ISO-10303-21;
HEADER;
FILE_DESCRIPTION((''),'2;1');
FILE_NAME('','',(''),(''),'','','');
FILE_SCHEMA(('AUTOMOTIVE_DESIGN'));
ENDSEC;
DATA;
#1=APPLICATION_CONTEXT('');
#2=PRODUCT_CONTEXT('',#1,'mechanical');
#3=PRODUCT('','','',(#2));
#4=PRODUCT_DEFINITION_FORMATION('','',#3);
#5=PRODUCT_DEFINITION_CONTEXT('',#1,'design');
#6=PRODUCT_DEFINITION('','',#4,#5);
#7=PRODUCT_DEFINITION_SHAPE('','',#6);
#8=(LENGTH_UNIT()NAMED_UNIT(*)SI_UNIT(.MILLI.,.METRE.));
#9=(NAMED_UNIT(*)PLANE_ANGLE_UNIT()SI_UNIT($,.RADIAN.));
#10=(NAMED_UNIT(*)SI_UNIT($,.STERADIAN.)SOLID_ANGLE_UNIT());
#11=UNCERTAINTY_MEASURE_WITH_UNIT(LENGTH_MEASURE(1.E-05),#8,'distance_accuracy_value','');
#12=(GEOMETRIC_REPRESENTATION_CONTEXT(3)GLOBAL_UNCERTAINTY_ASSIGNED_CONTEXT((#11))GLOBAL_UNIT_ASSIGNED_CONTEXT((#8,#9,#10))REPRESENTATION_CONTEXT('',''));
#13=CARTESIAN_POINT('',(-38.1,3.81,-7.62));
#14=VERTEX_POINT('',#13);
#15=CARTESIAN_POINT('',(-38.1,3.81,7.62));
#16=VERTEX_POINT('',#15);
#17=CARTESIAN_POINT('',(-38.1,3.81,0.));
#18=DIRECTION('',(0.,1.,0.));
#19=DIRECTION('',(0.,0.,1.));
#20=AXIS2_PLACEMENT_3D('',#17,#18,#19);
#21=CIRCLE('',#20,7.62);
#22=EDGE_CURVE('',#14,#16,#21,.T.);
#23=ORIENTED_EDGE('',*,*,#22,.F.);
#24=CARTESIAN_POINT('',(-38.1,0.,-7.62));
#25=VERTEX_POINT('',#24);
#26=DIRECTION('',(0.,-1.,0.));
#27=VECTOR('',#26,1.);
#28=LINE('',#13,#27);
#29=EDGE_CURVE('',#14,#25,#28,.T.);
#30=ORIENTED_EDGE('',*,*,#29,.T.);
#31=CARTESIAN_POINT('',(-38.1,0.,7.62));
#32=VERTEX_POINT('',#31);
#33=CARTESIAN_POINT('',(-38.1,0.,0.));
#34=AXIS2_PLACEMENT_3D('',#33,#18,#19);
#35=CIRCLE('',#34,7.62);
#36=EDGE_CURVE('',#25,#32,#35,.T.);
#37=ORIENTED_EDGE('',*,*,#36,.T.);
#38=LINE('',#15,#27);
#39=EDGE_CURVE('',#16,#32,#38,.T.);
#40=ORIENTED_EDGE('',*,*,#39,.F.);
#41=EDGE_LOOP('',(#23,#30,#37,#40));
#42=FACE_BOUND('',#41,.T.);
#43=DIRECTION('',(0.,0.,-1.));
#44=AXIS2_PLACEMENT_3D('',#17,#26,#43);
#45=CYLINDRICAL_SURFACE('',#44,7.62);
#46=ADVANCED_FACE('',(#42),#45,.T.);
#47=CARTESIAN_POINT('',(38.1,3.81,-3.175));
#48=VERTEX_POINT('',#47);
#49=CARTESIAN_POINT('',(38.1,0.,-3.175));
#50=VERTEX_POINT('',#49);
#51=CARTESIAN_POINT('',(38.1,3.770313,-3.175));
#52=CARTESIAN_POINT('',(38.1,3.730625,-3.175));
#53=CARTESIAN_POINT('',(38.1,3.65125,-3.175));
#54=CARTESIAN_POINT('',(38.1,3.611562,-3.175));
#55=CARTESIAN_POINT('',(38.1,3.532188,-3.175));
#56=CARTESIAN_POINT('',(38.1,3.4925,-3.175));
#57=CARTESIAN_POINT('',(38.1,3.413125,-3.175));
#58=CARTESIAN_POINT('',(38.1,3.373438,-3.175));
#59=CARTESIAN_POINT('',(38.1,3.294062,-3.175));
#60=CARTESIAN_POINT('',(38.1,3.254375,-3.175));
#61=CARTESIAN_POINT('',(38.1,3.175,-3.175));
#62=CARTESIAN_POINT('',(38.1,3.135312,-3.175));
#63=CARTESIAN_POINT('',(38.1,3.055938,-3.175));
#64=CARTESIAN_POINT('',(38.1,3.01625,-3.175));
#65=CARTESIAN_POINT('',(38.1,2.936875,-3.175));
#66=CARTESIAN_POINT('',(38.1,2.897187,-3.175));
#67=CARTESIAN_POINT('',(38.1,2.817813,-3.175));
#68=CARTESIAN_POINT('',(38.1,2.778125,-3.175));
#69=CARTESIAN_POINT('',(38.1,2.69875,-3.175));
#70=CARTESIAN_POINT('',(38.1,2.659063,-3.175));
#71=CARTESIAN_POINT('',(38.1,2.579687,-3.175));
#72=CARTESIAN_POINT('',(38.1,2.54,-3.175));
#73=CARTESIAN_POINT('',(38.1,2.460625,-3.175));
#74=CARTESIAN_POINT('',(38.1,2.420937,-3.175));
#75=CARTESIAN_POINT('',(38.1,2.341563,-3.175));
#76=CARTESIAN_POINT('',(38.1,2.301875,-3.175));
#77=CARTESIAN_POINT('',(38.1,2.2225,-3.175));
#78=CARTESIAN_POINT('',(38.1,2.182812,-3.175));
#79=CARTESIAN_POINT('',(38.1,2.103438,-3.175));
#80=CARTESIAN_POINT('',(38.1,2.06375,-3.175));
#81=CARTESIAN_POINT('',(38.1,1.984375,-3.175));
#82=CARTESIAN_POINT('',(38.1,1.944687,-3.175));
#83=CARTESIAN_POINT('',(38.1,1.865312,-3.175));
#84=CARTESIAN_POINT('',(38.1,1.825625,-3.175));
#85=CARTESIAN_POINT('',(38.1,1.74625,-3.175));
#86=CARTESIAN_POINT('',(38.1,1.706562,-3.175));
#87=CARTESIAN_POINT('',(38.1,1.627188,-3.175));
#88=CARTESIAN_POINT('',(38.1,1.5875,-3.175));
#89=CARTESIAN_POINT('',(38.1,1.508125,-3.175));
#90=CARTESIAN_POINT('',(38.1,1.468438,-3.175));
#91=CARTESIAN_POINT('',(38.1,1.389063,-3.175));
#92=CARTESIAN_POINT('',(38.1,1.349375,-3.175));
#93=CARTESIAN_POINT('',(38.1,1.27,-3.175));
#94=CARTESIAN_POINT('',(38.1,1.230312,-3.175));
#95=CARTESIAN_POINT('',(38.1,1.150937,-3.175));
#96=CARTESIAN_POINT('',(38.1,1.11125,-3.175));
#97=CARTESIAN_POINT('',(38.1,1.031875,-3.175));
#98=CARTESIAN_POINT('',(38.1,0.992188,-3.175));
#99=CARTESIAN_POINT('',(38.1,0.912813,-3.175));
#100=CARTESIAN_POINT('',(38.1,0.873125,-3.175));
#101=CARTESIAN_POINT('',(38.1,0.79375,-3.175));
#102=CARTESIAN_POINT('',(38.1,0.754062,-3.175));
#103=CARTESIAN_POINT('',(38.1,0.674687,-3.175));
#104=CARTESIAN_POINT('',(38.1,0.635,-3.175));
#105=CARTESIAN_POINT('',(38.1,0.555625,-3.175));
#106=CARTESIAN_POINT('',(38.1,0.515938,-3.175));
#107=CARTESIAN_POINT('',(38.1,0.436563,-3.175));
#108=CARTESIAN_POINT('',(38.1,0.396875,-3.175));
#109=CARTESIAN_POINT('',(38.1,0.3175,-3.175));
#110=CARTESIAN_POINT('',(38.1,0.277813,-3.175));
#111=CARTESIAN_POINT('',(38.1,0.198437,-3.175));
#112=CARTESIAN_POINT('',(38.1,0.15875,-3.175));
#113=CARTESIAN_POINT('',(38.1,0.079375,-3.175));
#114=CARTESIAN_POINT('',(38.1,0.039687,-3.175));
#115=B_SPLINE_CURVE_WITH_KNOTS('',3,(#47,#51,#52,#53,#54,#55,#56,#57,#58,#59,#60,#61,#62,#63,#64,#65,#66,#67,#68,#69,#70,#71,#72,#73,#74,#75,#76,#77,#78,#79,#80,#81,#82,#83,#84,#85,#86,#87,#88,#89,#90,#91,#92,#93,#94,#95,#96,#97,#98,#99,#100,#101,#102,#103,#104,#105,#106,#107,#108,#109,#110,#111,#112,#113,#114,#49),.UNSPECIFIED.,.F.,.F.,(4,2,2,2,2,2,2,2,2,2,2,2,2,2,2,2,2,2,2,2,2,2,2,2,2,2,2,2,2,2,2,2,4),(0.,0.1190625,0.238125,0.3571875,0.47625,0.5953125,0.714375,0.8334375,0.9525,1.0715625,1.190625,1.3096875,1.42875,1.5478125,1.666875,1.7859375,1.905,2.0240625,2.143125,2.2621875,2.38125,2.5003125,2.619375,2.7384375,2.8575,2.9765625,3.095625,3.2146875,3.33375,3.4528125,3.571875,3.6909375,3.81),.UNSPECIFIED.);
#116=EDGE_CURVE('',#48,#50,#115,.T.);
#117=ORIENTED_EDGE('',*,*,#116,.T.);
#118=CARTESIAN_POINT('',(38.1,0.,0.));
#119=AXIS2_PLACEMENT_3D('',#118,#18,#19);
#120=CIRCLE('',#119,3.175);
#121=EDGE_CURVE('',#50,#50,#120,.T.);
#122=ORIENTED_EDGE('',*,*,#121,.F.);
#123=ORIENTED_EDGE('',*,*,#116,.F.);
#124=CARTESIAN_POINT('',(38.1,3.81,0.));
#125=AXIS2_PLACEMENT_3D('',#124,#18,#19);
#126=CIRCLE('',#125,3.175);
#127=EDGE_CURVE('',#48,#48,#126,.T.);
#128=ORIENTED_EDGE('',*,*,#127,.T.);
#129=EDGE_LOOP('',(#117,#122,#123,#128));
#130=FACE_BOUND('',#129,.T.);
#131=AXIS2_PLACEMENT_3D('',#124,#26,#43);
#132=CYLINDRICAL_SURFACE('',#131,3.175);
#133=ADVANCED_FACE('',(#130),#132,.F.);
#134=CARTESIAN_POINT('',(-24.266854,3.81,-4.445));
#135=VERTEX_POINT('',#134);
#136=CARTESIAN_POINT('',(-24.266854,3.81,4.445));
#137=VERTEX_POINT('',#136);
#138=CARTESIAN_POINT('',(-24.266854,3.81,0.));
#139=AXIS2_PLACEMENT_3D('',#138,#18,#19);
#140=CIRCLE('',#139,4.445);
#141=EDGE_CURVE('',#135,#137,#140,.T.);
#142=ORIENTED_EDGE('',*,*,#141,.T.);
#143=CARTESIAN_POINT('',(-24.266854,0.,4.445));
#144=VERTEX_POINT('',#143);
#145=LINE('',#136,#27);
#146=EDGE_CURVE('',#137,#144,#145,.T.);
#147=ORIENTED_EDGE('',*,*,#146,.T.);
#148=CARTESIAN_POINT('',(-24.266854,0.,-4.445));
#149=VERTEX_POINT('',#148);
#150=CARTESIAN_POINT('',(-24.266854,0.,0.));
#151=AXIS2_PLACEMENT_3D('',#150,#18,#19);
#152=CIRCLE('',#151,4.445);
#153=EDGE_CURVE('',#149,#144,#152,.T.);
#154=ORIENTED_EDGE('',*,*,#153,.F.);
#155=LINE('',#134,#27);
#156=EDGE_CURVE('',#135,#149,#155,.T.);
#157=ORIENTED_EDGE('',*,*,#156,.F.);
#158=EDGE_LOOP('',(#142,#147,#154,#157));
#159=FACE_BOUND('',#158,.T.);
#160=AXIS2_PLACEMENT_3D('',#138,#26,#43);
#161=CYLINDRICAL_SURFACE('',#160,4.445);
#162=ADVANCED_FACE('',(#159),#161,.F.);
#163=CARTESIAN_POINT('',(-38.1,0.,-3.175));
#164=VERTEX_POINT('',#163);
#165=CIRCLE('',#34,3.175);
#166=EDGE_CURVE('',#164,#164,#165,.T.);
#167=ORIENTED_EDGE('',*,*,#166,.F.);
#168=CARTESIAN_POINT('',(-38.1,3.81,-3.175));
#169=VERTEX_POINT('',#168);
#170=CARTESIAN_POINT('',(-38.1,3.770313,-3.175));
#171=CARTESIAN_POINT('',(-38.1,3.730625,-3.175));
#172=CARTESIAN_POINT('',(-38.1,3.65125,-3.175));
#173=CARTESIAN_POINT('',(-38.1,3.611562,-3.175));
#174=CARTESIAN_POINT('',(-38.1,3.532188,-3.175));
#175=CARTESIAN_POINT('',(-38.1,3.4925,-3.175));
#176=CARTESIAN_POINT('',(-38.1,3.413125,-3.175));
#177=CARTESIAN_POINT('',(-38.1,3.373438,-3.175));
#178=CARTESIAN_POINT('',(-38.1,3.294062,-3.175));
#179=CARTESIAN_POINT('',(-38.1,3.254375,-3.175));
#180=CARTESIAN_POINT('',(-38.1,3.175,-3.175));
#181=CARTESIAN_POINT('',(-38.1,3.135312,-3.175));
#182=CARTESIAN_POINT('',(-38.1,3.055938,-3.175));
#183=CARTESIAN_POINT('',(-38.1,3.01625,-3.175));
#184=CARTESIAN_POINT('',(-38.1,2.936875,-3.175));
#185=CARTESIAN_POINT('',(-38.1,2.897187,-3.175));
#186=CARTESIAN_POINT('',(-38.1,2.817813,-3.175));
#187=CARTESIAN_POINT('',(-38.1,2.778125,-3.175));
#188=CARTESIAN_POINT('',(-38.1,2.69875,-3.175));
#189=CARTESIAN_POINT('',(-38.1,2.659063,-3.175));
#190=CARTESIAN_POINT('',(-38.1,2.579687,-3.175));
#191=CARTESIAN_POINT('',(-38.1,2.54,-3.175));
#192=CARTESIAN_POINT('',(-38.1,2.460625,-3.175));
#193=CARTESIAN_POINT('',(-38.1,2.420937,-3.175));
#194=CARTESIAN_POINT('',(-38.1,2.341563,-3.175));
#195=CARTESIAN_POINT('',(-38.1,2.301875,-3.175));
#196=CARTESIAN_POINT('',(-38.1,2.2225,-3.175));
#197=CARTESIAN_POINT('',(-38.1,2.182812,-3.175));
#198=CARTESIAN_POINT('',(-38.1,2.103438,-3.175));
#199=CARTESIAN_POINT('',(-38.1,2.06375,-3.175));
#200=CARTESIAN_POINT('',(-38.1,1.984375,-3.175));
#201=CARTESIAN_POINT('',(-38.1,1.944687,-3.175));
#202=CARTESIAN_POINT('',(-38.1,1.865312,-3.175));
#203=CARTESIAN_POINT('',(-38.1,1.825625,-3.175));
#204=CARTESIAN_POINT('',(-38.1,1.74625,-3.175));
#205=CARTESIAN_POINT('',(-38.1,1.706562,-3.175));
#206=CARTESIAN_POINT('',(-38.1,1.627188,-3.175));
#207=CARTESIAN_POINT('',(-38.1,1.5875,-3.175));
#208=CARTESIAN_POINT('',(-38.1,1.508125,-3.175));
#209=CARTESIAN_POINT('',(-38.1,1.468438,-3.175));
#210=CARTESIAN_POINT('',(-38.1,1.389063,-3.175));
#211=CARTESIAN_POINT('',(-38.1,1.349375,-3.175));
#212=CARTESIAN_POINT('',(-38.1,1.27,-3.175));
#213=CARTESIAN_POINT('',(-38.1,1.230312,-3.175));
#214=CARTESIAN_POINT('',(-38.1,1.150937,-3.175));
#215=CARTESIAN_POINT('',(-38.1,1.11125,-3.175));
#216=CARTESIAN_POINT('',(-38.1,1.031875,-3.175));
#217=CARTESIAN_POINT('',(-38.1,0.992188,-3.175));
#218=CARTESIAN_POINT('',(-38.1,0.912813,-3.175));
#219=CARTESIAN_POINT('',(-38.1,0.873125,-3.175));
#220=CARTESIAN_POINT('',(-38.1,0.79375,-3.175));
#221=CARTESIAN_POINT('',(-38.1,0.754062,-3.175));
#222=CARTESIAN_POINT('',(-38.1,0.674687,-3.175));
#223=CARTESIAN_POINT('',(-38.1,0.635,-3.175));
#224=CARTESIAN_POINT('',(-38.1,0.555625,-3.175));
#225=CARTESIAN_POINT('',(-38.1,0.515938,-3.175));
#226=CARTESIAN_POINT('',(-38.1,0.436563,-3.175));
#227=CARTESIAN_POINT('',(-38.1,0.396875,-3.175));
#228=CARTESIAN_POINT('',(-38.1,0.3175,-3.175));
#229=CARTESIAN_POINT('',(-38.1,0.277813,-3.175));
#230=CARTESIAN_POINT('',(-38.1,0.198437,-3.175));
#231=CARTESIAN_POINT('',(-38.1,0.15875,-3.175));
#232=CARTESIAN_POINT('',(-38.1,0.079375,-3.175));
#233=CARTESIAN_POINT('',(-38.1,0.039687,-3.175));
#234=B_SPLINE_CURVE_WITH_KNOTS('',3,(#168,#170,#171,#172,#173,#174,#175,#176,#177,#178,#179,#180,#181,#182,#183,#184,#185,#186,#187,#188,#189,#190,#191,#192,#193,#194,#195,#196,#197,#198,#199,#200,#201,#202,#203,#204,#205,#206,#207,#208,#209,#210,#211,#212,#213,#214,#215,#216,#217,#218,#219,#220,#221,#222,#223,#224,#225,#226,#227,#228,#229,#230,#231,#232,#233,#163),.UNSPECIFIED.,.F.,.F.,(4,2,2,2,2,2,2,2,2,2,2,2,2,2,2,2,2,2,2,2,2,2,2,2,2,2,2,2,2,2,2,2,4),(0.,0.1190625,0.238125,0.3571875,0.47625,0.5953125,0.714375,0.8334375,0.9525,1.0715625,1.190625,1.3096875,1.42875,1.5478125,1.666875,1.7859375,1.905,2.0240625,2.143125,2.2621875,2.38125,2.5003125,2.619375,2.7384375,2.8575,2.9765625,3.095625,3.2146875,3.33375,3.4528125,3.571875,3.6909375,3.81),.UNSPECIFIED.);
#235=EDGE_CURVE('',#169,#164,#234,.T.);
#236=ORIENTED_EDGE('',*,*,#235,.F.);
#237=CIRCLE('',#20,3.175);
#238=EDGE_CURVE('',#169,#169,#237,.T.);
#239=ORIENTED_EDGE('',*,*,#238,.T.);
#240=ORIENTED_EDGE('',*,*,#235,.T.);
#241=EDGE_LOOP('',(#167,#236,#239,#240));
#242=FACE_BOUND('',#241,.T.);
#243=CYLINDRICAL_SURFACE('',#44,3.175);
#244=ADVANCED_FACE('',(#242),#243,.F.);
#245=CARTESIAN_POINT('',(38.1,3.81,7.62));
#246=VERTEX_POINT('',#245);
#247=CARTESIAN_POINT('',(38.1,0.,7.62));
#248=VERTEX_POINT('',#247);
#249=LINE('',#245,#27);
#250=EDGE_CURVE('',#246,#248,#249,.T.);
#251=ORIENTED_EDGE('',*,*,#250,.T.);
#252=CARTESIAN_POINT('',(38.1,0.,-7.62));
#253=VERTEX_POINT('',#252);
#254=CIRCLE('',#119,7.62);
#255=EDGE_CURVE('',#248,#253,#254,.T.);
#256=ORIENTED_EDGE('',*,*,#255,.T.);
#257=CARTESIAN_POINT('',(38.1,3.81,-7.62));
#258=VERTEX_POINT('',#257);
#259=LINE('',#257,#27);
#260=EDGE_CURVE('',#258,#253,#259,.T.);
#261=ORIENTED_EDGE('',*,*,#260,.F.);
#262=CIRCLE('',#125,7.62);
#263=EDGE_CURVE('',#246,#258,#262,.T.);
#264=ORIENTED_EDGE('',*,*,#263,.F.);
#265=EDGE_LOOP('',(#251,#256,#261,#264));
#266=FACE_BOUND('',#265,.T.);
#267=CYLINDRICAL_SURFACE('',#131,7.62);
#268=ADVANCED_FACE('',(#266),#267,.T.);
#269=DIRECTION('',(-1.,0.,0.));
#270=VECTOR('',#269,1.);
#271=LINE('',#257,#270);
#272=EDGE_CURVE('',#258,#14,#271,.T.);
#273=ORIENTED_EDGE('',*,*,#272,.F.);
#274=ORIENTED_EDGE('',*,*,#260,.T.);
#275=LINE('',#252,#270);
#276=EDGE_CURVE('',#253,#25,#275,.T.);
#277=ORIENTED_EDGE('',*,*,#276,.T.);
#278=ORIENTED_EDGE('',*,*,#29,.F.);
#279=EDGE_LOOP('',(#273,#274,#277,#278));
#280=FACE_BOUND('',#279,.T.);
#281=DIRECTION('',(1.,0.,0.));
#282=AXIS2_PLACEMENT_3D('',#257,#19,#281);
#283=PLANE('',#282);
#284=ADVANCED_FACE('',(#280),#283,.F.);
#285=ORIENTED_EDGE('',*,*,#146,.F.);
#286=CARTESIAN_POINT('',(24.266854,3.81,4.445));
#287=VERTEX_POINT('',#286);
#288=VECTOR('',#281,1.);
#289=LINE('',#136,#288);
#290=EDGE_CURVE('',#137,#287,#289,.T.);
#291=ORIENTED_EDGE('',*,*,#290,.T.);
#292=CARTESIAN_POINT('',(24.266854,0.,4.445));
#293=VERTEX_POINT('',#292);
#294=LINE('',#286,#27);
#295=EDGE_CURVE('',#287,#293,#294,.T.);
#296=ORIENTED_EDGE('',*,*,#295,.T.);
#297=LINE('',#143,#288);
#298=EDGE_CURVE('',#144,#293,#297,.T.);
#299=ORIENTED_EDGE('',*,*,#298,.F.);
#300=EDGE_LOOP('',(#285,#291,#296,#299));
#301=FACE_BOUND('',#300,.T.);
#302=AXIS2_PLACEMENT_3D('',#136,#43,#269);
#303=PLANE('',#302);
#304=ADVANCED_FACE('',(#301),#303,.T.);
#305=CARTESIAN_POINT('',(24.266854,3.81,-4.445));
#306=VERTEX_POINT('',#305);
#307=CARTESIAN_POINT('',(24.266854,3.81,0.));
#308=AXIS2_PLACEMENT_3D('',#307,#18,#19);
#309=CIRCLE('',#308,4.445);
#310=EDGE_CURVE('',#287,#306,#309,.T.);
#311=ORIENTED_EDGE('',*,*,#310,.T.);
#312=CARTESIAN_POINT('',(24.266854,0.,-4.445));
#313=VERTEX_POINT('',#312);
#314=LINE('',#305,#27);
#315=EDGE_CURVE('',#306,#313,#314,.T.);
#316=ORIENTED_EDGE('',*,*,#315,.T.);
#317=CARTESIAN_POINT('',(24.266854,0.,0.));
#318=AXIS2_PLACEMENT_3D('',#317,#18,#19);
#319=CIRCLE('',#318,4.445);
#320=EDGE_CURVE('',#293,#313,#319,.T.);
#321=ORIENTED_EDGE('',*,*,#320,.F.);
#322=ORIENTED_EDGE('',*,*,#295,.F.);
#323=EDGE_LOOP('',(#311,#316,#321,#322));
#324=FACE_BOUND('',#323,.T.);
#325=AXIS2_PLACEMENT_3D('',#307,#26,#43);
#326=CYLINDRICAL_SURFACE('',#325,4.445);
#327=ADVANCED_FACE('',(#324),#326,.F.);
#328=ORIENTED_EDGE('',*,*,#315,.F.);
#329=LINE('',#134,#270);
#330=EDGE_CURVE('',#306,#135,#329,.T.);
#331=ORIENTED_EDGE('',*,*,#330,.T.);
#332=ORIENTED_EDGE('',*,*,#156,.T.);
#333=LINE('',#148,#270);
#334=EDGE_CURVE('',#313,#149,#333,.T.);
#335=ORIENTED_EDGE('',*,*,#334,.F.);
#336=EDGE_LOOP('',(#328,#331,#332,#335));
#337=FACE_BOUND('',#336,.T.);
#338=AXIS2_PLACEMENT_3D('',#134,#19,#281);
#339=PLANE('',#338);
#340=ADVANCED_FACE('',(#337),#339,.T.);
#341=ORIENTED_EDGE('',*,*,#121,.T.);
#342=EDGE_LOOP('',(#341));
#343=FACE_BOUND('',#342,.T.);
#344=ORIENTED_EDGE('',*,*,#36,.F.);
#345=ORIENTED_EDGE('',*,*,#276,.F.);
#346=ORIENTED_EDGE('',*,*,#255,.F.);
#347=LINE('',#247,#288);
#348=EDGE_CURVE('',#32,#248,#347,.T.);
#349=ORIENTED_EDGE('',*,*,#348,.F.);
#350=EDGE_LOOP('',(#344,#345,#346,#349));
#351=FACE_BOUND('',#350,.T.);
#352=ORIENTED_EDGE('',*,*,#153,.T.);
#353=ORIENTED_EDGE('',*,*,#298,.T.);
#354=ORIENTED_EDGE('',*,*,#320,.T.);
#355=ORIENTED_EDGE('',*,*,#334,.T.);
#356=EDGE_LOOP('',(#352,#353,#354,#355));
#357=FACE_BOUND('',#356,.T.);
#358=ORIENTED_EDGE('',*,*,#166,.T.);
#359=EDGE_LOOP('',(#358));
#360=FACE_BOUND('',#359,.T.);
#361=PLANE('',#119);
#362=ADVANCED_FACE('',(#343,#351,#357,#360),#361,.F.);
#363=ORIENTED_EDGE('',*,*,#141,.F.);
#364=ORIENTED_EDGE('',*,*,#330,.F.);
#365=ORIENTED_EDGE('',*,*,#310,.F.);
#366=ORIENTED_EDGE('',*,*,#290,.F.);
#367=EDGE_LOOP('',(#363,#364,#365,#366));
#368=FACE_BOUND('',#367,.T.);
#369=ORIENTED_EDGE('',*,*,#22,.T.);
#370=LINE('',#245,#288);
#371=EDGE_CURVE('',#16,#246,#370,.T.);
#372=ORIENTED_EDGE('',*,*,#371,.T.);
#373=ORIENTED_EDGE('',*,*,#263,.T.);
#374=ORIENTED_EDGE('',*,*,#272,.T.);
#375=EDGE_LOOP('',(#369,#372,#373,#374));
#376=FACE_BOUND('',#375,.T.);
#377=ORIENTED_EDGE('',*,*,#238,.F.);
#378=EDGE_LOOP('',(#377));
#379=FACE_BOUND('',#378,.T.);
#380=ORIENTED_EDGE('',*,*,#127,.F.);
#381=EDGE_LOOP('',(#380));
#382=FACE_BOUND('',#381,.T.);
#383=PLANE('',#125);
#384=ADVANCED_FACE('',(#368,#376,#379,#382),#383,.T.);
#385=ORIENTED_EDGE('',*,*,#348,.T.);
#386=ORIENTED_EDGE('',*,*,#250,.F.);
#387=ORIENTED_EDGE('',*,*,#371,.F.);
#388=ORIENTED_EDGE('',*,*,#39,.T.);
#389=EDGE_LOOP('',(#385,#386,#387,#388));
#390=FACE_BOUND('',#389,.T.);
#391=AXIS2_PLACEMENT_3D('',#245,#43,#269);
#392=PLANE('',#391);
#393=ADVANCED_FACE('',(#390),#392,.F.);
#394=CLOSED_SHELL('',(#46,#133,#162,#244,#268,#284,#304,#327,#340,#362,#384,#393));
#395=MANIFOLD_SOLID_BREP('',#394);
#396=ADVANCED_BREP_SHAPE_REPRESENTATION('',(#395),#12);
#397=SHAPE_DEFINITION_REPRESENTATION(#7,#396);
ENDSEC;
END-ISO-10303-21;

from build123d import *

# Parameters (mm, degrees)
SKETCH1_R           = 3.175
BOSS_EXTRUDE5_DEPTH = 3.81


with BuildPart() as part:
    # Sketch1 → Boss-Extrude5 (new body)
    with BuildSketch(Plane(origin=(0, 0, 0), x_dir=(1, 0, 0), z_dir=(0, 1, 0))):
        with BuildLine():
            Line((38.1, -7.62), (-38.1, -7.62))
            ThreePointArc((-38.1, -7.62), (-45.72, 0), (-38.1, 7.62))
            Line((-38.1, 7.62), (38.1, 7.62))
            ThreePointArc((38.1, 7.62), (45.72, 0), (38.1, -7.62))
        make_face()
        with Locations(Location((-38.1, 0, 0), (0, 0, 90))):
            Circle(SKETCH1_R, mode=Mode.SUBTRACT)
        with Locations(Location((38.1, 0, 0), (0, 0, 90))):
            Circle(SKETCH1_R, mode=Mode.SUBTRACT)
        with BuildLine():
            Line((-24.266853823, 4.445), (24.266853823, 4.445))
            ThreePointArc((24.266853823, 4.445), (28.711853823, 0), (24.266853823, -4.445))
            Line((24.266853823, -4.445), (-24.266853823, -4.445))
            ThreePointArc((-24.266853823, -4.445), (-28.711853823, 0), (-24.266853823, 4.445))
        make_face(mode=Mode.SUBTRACT)
    extrude(amount=BOSS_EXTRUDE5_DEPTH)


solid = part.part
